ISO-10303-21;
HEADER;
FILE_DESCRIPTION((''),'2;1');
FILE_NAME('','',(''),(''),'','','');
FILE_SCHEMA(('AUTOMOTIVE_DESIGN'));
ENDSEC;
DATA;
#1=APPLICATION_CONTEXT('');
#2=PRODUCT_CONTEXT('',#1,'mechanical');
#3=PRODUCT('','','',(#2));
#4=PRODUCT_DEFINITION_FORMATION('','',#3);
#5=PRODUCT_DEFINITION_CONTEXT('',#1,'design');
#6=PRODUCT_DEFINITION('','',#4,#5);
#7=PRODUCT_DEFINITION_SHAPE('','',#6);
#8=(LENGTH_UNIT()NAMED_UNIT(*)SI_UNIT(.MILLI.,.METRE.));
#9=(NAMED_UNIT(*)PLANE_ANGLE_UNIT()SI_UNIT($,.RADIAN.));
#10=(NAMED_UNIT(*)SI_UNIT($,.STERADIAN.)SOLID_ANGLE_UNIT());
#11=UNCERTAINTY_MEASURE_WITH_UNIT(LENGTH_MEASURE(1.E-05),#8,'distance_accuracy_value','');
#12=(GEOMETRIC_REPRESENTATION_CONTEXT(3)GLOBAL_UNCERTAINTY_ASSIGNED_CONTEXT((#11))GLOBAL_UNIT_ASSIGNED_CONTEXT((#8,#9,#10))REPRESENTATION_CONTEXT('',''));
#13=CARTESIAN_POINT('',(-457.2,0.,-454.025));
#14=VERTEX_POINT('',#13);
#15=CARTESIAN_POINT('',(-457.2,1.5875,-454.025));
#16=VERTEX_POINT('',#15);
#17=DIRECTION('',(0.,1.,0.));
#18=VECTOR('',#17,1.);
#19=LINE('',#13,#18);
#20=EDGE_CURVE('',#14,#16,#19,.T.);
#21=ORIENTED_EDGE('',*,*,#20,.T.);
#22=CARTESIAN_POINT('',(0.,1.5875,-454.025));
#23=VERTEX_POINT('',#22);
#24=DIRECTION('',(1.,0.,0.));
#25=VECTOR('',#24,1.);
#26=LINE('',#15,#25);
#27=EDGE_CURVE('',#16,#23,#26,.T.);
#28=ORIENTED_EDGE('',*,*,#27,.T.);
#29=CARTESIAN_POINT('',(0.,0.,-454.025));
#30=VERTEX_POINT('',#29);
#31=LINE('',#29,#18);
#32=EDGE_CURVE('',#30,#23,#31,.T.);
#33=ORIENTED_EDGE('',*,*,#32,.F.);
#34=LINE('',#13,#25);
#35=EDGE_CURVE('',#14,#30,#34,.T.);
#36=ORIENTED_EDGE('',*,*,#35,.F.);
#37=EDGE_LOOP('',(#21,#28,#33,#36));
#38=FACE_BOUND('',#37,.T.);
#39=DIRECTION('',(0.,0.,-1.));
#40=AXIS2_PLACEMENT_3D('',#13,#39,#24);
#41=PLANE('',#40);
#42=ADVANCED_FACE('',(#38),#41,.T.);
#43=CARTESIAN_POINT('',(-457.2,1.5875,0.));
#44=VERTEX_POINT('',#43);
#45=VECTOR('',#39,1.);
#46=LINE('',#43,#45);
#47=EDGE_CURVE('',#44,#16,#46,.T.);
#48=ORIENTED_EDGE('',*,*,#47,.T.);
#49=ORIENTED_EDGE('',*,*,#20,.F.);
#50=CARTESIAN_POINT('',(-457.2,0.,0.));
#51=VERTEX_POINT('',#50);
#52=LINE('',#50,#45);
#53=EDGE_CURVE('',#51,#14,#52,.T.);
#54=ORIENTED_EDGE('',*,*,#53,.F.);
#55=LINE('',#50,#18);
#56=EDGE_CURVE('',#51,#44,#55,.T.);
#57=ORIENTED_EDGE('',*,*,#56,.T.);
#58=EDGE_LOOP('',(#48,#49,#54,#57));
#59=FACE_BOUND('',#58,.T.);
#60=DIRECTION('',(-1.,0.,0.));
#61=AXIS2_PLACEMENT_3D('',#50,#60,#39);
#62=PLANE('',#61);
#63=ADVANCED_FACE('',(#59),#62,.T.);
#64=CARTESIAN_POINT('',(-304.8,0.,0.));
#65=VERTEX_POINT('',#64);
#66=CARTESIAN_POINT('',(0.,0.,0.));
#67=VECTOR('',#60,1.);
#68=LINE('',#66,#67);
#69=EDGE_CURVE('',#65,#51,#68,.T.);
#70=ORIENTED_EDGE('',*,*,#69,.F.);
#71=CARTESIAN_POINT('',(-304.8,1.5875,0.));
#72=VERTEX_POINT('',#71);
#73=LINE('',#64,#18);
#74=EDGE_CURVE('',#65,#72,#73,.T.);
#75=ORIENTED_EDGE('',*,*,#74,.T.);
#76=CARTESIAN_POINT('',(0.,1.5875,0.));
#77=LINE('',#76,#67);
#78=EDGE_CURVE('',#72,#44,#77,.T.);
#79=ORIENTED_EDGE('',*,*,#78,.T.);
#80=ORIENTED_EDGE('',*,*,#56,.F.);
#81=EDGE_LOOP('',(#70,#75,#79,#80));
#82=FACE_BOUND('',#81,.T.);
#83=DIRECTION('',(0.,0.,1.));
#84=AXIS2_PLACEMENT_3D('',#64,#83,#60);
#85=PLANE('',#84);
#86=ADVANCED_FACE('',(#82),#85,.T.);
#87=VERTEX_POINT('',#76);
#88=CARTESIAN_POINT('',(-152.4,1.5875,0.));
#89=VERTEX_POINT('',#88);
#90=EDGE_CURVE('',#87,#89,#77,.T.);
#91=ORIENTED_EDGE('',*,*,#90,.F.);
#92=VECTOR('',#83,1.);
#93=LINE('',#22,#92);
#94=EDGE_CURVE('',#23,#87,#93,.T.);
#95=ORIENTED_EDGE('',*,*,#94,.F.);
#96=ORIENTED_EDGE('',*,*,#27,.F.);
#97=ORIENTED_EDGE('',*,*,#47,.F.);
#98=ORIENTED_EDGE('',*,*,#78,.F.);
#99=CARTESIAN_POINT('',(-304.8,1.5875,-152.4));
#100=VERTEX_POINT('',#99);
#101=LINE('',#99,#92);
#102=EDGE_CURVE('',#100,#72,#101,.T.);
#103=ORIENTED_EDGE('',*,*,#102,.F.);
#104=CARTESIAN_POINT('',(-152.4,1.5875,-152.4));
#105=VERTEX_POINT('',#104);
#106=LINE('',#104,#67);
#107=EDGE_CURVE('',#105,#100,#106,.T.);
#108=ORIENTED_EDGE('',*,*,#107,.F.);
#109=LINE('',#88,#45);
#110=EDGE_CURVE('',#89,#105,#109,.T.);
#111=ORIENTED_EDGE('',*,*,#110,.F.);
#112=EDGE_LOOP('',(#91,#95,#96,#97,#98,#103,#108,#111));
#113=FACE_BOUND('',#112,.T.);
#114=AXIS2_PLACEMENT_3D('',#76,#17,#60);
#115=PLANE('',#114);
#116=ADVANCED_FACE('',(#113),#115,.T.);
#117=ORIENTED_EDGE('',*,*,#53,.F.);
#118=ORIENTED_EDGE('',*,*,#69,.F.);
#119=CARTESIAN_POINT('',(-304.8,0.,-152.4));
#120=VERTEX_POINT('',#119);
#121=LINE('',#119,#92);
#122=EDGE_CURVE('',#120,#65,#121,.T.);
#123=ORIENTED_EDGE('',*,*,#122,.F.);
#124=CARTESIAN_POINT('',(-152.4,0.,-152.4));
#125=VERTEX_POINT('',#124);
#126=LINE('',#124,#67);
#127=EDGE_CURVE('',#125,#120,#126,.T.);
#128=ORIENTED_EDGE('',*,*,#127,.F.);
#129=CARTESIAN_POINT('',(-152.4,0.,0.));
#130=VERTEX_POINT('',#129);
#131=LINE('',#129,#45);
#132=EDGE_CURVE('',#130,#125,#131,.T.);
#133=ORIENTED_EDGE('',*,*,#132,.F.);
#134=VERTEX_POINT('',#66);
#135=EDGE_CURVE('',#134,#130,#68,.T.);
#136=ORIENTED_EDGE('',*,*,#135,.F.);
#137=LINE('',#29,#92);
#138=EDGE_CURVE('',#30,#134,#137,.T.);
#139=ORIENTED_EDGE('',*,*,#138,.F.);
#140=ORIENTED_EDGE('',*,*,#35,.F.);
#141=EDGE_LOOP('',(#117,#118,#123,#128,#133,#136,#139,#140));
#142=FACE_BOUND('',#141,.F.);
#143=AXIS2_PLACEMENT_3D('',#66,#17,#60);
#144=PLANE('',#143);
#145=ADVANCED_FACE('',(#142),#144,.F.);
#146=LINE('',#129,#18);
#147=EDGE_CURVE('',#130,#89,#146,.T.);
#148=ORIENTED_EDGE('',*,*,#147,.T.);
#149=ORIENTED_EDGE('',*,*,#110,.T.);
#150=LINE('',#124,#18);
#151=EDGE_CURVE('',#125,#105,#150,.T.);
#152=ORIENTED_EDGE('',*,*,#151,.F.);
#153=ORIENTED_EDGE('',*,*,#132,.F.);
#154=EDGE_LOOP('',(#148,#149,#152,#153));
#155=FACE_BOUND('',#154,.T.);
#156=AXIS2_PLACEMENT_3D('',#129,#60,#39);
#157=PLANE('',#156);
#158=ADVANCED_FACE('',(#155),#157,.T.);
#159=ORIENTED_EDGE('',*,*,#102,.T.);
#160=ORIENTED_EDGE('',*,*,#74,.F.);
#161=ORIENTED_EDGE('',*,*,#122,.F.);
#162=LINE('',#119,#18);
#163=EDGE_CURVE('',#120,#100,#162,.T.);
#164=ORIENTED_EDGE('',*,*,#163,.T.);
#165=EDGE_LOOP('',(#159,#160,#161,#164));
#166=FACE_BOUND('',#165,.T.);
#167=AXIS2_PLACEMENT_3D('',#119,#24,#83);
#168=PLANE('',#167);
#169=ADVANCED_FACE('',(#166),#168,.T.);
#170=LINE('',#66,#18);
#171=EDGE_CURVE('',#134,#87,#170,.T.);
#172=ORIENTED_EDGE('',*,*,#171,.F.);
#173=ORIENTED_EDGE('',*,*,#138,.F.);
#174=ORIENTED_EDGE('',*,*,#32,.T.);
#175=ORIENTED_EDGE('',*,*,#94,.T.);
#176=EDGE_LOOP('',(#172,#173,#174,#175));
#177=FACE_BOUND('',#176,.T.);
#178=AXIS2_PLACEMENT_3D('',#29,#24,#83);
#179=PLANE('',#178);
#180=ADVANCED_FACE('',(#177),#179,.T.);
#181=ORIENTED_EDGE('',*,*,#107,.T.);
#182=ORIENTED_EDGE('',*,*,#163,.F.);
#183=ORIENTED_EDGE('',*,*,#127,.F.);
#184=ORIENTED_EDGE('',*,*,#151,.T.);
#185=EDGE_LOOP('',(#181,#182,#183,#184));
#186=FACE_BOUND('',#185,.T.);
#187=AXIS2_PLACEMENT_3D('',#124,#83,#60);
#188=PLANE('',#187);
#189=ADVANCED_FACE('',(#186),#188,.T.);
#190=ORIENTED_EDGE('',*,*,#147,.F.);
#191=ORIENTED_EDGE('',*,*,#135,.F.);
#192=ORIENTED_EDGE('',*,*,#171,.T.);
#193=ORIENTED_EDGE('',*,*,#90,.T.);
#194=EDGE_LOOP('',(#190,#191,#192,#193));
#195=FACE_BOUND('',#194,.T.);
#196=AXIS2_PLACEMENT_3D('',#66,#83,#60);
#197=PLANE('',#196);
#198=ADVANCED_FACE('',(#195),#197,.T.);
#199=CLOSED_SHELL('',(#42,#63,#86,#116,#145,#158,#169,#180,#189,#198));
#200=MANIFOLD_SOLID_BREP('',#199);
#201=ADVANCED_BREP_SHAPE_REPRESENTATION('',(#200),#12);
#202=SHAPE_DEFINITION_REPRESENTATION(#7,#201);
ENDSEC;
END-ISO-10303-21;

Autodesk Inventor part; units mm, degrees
ref_plane "YZ Plane" through (0, 0, 0) normal (1, 0, 0) x (0, 1, 0)
ref_plane "XZ Plane" through (0, 0, 0) normal (0, 1, 0) x (-1, 0, 0)
ref_plane "XY Plane" through (0, 0, 0) normal (0, 0, 1) x (1, 0, 0)
sketch "Sketch1" plane through (0, 0, 0) normal (0, 1, 0) x (-1, 0, 0)
  line L0 (0, 0) -> (457.2, 0)
  line L1 (457.2, 0) -> (457.2, -454.025)
  line L2 (457.2, -454.025) -> (0, -454.025)
  line L3 (0, -454.025) -> (0, 0)
  line L4 (304.8, 0) -> (152.4, 0)
  line L5 (152.4, 0) -> (152.4, -152.4)
  line L6 (152.4, -152.4) -> (304.8, -152.4)
  line L7 (304.8, -152.4) -> (304.8, 0)
  dimension "d0" = 454.025
  dimension "d1" = 457.2
  dimension "d2" = 152.4
  dimension "d3" = 152.4
  dimension "d4" = 152.4
extrude "Extrusion1" add sketch "Sketch1" along normal blind 1.5875 contours L0 L5 L6 L7 L1 L2 L3
properties part number "Roof_piece2" material "Aluminum 6061"
